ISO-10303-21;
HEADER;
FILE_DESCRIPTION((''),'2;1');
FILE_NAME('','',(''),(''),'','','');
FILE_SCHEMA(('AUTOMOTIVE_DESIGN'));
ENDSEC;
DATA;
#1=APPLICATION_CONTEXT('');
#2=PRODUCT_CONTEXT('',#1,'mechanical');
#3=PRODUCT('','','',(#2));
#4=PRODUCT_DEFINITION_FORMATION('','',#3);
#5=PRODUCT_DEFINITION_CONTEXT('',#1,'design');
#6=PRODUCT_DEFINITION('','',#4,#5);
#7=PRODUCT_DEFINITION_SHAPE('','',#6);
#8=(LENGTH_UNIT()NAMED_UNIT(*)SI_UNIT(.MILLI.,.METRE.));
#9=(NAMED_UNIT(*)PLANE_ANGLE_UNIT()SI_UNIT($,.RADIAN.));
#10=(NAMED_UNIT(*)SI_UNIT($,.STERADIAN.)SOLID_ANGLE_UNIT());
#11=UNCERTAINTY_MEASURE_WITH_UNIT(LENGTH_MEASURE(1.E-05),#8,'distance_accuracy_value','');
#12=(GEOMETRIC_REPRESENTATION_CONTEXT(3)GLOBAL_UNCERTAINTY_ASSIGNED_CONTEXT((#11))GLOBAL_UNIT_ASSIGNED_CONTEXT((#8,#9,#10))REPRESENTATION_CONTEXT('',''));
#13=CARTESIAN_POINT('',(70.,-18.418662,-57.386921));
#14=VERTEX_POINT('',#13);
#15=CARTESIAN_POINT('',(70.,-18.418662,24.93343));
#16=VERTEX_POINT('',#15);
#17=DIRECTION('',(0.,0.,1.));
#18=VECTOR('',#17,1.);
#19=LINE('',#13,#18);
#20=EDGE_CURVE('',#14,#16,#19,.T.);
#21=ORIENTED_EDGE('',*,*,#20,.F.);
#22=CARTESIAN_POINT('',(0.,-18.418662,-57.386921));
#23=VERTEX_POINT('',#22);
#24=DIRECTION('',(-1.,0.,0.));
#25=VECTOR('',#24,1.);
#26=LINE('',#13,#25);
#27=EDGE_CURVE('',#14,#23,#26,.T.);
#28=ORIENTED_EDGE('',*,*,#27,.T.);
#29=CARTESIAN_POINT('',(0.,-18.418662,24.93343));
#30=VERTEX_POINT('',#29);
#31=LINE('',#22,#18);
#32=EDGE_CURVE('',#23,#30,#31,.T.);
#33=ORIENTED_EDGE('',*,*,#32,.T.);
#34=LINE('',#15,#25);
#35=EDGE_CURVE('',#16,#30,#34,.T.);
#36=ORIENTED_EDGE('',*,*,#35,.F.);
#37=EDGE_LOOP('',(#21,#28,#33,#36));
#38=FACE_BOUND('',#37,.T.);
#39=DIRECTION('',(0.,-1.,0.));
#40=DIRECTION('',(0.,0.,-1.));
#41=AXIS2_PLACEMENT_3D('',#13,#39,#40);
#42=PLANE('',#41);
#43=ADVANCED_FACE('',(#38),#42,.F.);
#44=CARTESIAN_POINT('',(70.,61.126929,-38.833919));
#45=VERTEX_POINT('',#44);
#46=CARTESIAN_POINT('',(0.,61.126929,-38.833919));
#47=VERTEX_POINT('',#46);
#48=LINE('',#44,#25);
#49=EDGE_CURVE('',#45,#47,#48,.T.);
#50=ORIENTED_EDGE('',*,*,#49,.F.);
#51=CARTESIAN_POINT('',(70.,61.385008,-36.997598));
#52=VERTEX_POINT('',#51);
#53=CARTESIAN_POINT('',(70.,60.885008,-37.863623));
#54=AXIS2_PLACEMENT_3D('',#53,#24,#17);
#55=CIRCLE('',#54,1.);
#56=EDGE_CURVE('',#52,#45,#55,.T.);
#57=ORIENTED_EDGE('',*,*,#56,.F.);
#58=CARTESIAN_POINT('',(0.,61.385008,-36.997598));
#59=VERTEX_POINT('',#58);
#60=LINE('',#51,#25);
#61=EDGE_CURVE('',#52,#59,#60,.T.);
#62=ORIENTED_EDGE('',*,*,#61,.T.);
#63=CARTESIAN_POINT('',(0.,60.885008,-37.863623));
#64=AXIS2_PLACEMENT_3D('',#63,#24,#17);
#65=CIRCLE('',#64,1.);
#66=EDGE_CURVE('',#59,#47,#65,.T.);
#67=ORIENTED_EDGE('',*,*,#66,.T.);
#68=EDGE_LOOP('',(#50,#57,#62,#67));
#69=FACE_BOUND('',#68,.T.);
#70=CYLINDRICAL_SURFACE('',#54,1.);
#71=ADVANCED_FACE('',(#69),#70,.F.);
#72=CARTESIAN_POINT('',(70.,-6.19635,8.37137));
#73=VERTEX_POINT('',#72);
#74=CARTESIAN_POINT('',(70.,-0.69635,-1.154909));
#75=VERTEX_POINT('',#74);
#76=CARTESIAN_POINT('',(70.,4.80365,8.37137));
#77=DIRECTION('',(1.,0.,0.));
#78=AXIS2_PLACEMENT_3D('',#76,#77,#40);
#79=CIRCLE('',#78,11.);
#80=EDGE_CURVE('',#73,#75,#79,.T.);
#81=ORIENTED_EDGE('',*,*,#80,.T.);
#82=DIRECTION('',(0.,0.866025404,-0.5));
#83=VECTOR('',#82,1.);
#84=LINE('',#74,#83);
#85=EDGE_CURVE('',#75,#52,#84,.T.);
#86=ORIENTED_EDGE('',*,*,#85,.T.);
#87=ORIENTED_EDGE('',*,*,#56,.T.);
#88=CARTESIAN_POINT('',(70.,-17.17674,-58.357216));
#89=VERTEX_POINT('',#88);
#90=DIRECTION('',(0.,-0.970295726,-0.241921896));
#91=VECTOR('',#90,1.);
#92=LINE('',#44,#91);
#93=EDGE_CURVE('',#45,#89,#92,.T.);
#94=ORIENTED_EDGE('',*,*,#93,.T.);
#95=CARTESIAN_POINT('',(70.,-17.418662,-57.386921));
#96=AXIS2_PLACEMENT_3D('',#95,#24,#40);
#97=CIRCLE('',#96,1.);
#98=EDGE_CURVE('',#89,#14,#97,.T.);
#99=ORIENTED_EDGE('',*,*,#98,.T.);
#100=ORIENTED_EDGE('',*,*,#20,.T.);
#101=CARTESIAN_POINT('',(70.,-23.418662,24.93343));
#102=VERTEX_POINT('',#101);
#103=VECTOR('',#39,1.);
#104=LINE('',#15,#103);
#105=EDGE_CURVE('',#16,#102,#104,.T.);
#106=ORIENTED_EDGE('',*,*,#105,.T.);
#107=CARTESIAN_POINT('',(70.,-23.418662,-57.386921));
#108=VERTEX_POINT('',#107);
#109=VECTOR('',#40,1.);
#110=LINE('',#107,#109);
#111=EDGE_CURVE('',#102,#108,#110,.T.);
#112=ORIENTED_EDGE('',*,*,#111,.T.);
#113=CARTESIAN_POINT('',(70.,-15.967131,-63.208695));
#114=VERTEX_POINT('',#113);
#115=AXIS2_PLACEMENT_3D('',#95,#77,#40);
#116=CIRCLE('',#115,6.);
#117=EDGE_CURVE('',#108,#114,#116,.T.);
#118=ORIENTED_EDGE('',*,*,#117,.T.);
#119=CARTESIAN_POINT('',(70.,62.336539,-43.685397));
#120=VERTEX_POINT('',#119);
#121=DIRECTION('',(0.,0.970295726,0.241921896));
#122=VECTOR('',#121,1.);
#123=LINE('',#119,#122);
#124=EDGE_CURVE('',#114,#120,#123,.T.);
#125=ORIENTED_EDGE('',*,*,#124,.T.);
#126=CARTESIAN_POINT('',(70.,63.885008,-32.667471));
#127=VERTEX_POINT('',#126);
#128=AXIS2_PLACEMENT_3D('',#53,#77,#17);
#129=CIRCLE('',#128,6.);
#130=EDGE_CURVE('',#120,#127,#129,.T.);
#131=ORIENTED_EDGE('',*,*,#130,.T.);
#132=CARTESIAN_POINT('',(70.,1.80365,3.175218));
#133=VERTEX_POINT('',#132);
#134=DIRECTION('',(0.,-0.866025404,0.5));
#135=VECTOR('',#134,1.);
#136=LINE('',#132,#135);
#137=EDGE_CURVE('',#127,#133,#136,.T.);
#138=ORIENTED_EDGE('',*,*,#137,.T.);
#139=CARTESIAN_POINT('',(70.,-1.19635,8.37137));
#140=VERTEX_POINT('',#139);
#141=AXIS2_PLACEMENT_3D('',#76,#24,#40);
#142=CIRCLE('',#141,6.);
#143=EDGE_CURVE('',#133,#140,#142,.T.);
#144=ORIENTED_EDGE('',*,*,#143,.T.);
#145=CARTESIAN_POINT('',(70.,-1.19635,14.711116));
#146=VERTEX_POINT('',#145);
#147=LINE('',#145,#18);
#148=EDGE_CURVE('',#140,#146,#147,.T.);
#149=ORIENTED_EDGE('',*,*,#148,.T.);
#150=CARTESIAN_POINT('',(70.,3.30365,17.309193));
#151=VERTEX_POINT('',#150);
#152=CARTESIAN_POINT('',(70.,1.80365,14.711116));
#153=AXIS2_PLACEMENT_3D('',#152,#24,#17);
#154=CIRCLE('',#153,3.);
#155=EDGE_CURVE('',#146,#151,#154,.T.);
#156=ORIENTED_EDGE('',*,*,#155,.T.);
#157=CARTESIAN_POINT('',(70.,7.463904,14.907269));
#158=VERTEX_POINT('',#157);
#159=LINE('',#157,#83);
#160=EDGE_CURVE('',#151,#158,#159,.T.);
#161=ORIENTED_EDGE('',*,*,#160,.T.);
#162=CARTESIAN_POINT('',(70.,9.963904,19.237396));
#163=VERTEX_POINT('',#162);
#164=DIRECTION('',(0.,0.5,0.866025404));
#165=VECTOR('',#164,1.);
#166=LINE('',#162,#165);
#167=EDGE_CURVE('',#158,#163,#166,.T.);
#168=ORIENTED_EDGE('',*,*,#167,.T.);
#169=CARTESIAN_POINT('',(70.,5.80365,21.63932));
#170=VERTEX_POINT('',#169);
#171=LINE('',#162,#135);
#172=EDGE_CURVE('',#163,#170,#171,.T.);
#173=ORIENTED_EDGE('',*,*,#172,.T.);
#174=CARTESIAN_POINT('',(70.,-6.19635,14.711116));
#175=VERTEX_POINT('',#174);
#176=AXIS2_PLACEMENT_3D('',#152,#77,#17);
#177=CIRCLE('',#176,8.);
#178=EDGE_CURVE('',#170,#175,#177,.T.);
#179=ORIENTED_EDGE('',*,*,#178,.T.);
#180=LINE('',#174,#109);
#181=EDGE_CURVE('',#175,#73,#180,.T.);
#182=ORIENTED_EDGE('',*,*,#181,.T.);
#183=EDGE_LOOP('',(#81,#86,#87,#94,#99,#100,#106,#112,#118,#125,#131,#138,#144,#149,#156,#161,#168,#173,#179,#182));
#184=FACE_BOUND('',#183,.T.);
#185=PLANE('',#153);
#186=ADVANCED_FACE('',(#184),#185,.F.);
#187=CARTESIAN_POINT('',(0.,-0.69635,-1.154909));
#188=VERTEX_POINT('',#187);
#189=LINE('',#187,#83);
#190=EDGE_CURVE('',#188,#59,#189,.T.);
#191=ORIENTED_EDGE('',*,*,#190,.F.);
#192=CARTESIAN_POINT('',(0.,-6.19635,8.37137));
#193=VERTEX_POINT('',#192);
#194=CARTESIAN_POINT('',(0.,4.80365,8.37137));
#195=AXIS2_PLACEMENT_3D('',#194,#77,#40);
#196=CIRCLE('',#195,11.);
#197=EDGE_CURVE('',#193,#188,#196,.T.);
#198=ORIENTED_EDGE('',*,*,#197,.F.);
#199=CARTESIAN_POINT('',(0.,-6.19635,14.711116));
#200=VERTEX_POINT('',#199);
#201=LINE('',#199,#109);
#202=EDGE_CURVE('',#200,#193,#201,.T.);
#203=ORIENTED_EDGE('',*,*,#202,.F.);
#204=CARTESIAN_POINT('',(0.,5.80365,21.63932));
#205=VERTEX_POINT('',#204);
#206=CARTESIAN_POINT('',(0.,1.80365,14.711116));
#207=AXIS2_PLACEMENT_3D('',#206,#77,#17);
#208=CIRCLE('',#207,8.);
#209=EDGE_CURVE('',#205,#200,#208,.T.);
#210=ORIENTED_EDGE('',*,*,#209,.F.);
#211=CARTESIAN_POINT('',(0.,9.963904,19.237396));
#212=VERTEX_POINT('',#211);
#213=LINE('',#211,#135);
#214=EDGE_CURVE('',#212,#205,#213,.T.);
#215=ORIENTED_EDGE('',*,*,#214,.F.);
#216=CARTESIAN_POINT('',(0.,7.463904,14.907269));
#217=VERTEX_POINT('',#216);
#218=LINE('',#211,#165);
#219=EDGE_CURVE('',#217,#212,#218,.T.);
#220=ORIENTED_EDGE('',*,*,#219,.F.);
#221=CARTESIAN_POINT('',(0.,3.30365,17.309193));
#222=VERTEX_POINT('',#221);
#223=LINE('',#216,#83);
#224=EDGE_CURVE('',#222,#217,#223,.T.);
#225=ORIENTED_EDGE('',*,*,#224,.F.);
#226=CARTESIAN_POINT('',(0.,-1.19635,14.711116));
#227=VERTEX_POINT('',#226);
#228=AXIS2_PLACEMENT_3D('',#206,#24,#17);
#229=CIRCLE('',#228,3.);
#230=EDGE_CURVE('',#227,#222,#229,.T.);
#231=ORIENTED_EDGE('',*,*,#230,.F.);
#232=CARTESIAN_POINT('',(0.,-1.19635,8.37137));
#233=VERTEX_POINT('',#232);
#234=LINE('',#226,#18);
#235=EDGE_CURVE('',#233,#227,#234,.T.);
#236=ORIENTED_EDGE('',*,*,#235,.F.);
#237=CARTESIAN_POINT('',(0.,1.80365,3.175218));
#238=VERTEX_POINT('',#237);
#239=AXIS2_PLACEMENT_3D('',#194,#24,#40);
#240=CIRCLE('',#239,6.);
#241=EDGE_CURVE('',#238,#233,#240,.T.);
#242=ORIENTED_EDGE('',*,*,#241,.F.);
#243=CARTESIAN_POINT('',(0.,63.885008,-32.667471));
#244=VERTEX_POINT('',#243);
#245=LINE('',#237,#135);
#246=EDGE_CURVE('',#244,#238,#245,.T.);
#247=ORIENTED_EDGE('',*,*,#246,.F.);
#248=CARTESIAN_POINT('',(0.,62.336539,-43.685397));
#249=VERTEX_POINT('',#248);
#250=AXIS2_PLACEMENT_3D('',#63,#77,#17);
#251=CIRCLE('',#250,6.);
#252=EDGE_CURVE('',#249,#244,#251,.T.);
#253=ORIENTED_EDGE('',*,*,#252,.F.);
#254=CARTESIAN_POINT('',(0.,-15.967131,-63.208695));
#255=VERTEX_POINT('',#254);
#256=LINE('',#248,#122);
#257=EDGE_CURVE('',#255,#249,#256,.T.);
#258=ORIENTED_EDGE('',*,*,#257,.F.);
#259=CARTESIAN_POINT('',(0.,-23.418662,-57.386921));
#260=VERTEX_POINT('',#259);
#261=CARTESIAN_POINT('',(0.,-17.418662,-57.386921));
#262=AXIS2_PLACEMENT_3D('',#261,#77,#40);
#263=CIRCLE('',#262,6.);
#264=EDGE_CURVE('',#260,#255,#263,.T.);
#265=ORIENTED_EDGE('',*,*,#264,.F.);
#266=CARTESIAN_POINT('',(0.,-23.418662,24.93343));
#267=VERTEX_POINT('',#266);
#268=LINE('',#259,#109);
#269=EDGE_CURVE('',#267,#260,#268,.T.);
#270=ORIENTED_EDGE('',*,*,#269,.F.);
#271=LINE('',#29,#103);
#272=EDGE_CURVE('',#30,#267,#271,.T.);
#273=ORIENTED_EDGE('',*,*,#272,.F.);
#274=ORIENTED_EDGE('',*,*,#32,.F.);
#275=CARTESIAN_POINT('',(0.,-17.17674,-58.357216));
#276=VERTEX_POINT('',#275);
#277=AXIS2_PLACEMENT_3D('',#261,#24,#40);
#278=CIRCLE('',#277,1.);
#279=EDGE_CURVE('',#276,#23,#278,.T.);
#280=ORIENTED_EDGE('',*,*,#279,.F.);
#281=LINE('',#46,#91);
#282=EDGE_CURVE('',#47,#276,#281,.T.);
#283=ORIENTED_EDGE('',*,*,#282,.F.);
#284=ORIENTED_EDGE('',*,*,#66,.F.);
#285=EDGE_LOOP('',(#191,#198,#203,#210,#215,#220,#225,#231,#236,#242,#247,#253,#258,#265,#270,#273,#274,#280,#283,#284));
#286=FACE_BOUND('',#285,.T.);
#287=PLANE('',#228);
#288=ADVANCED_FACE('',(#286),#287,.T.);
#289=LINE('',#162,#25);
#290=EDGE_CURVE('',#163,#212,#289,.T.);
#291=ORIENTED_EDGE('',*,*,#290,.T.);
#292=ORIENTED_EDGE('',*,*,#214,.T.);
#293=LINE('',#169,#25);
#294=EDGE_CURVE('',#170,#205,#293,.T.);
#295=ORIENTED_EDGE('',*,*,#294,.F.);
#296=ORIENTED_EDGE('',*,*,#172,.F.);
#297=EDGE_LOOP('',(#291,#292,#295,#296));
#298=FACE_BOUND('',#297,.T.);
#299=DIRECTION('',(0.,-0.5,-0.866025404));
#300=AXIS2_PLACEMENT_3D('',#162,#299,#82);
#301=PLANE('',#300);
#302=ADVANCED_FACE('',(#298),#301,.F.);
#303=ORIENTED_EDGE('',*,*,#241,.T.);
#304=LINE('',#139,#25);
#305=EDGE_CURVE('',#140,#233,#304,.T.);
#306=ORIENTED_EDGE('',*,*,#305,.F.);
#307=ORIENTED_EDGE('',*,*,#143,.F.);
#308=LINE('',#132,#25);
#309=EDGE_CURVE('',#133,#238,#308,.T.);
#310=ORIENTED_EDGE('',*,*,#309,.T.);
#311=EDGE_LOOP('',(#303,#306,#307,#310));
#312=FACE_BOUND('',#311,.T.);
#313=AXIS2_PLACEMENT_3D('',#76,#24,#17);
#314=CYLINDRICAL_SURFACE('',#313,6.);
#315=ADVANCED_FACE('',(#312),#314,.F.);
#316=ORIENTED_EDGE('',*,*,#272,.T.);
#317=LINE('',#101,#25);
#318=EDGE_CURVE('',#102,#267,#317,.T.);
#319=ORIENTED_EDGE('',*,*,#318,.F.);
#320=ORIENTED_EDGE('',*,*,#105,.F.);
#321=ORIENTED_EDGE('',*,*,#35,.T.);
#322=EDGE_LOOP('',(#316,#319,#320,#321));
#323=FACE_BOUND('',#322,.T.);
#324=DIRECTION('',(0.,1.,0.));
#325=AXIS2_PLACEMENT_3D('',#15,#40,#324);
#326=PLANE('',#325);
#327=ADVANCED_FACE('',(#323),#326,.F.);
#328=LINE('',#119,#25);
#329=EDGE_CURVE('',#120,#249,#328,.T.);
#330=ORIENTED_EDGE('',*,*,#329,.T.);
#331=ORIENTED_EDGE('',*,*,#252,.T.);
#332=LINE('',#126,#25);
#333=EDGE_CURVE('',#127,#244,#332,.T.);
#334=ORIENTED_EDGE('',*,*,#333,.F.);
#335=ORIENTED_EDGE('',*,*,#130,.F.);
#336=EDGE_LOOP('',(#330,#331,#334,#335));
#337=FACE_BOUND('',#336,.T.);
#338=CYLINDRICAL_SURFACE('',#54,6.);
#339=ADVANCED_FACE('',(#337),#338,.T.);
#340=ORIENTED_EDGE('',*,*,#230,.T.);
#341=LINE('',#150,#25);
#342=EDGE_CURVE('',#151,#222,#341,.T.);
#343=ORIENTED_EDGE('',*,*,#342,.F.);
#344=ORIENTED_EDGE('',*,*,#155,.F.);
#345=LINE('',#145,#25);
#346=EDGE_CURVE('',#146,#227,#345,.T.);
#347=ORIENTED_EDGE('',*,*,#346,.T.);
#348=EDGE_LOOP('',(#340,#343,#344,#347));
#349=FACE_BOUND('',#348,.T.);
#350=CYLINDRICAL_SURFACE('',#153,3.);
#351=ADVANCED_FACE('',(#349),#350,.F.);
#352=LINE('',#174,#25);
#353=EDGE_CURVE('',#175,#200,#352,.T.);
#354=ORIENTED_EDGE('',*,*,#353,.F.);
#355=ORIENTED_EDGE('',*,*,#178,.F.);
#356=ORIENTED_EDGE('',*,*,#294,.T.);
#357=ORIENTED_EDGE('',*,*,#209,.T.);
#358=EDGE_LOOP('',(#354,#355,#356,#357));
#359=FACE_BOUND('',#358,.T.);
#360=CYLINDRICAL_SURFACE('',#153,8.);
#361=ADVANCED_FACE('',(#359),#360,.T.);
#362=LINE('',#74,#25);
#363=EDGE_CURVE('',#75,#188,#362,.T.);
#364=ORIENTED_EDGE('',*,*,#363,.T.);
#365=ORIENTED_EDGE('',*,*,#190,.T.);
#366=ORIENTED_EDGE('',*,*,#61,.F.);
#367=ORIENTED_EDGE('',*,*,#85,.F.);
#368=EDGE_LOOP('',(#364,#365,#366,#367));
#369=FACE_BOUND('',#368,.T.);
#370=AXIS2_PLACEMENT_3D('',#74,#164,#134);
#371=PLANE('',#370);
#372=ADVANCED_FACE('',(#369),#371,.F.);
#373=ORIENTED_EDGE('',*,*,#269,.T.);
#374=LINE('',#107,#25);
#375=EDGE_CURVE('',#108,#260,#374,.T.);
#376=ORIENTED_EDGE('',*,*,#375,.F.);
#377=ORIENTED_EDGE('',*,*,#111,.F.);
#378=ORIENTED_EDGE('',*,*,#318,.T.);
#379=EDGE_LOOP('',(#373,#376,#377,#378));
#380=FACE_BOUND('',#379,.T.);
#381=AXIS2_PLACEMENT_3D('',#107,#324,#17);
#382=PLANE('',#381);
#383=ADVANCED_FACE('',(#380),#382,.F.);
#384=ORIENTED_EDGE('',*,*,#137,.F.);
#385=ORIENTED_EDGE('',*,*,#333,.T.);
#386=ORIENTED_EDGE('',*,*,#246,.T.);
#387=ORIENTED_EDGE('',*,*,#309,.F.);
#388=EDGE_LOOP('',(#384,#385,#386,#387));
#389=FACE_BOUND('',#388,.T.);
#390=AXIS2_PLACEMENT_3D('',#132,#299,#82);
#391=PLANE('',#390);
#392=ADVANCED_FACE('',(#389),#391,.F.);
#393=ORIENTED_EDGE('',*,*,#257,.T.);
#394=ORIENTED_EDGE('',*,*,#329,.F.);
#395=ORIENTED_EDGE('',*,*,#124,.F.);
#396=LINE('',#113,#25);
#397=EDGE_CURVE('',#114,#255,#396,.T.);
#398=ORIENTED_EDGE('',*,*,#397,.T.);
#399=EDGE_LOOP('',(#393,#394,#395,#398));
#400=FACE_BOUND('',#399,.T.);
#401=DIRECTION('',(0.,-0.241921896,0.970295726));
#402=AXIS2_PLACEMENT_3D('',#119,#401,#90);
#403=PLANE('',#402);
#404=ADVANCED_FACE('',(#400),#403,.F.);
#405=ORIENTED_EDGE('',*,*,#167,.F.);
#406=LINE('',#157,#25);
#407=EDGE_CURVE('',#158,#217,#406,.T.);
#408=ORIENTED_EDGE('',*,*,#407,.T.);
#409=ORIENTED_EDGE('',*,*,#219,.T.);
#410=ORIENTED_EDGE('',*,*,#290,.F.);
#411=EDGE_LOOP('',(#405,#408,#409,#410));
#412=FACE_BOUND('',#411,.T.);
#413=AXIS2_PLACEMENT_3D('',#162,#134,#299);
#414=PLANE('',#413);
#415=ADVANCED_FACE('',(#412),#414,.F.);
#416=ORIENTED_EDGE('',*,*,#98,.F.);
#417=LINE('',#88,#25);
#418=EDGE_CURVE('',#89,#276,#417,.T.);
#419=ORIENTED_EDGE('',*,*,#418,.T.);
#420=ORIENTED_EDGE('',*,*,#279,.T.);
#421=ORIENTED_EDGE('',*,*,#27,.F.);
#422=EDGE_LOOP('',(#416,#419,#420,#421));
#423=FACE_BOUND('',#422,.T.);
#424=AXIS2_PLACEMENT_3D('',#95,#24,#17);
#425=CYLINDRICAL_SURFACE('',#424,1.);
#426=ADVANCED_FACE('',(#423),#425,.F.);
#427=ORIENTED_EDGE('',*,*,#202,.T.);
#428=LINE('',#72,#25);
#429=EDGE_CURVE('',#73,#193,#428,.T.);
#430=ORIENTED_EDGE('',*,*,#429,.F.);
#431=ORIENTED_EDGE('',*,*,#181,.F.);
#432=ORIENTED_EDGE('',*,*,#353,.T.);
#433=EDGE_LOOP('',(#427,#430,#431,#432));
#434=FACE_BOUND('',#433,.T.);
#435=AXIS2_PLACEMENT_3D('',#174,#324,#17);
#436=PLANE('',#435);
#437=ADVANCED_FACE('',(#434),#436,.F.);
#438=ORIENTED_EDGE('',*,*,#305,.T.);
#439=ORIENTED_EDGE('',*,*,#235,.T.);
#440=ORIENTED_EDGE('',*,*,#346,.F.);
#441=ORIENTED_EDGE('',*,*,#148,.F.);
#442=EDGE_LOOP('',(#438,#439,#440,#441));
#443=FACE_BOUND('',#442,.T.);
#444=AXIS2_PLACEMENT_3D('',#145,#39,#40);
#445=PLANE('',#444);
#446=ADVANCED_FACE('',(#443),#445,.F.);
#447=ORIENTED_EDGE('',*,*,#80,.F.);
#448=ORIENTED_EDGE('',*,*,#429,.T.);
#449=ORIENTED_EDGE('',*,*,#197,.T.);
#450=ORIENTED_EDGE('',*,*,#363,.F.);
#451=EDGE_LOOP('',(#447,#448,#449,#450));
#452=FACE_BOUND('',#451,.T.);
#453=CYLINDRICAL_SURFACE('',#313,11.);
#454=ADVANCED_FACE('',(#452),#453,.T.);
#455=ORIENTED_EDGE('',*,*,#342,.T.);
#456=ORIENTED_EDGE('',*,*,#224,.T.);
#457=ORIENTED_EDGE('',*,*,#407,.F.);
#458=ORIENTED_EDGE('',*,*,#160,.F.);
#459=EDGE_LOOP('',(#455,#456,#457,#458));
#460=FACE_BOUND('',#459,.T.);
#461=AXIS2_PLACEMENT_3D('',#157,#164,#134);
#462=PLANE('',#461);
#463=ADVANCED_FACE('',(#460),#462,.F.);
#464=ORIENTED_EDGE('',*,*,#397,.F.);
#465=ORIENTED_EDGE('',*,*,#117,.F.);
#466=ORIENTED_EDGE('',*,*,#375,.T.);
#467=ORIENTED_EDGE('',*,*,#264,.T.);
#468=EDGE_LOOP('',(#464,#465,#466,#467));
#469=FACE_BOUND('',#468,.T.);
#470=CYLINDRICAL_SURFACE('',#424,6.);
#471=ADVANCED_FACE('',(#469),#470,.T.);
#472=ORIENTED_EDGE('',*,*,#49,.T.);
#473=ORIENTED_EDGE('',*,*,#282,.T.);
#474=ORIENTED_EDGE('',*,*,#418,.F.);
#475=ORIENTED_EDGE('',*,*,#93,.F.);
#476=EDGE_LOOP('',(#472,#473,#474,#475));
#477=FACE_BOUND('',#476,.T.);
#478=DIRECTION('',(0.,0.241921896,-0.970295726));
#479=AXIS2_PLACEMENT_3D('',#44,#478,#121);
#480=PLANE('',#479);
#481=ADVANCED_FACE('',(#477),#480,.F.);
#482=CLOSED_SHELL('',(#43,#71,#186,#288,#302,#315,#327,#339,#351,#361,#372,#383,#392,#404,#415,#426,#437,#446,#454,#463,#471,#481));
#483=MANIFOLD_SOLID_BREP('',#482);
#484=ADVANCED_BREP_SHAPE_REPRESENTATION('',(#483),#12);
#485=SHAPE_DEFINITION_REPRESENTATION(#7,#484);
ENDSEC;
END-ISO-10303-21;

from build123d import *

# Parameters (mm, degrees)
EXTRUDE_1_DEPTH = 70


with BuildPart() as part:
    # 草图1 → 凸台-拉伸1 (new body)
    with BuildSketch(Plane(origin=(0, 0, 0), x_dir=(0, 0, -1), z_dir=(1, 0, 0))):
        with BuildLine():
            Line((-14.907268764, 7.463903752), (-17.309192553, 3.303649714))
            ThreePointArc((-17.309192553, 3.303649714), (-17.309192553, 0.303649714), (-14.711116341, -1.196350286))
            Line((-14.711116341, -1.196350286), (-8.371370379, -1.196350286))
            ThreePointArc((-8.371370379, -1.196350286), (-5.371370379, -0.392502709), (-3.175217956, 1.803649714))
            Line((-3.175217956, 1.803649714), (32.667470676, 63.885007505))
            ThreePointArc((32.667470676, 63.885007505), (38.698661704, 66.826615917), (43.685397456, 62.336538878))
            Line((43.685397456, 62.336538878), (63.208695005, -15.967130691))
            ThreePointArc((63.208695005, -15.967130691), (62.114985169, -21.112630917), (57.386920648, -23.418662065))
            Line((57.386920648, -23.418662065), (-24.933429559, -23.418662065))
            Line((-24.933429559, -23.418662065), (-24.933429559, -18.418662065))
            Line((-24.933429559, -18.418662065), (57.386920648, -18.418662065))
            ThreePointArc((57.386920648, -18.418662065), (58.174931401, -18.03432354), (58.357216374, -17.176740169))
            Line((58.357216374, -17.176740169), (38.833918825, 61.1269294))
            ThreePointArc((38.833918825, 61.1269294), (38.0027962, 61.875275573), (36.997597695, 61.385007505))
            Line((36.997597695, 61.385007505), (1.154909063, -0.696350286))
            ThreePointArc((1.154909063, -0.696350286), (-2.871370379, -4.722629728), (-8.371370379, -6.196350286))
            Line((-8.371370379, -6.196350286), (-14.711116341, -6.196350286))
            ThreePointArc((-14.711116341, -6.196350286), (-21.639319571, -2.196350286), (-21.639319571, 5.803649714))
            Line((-21.639319571, 5.803649714), (-19.237395783, 9.963903752))
            Line((-19.237395783, 9.963903752), (-14.907268764, 7.463903752))
        make_face()
    extrude(amount=EXTRUDE_1_DEPTH)


solid = part.part
